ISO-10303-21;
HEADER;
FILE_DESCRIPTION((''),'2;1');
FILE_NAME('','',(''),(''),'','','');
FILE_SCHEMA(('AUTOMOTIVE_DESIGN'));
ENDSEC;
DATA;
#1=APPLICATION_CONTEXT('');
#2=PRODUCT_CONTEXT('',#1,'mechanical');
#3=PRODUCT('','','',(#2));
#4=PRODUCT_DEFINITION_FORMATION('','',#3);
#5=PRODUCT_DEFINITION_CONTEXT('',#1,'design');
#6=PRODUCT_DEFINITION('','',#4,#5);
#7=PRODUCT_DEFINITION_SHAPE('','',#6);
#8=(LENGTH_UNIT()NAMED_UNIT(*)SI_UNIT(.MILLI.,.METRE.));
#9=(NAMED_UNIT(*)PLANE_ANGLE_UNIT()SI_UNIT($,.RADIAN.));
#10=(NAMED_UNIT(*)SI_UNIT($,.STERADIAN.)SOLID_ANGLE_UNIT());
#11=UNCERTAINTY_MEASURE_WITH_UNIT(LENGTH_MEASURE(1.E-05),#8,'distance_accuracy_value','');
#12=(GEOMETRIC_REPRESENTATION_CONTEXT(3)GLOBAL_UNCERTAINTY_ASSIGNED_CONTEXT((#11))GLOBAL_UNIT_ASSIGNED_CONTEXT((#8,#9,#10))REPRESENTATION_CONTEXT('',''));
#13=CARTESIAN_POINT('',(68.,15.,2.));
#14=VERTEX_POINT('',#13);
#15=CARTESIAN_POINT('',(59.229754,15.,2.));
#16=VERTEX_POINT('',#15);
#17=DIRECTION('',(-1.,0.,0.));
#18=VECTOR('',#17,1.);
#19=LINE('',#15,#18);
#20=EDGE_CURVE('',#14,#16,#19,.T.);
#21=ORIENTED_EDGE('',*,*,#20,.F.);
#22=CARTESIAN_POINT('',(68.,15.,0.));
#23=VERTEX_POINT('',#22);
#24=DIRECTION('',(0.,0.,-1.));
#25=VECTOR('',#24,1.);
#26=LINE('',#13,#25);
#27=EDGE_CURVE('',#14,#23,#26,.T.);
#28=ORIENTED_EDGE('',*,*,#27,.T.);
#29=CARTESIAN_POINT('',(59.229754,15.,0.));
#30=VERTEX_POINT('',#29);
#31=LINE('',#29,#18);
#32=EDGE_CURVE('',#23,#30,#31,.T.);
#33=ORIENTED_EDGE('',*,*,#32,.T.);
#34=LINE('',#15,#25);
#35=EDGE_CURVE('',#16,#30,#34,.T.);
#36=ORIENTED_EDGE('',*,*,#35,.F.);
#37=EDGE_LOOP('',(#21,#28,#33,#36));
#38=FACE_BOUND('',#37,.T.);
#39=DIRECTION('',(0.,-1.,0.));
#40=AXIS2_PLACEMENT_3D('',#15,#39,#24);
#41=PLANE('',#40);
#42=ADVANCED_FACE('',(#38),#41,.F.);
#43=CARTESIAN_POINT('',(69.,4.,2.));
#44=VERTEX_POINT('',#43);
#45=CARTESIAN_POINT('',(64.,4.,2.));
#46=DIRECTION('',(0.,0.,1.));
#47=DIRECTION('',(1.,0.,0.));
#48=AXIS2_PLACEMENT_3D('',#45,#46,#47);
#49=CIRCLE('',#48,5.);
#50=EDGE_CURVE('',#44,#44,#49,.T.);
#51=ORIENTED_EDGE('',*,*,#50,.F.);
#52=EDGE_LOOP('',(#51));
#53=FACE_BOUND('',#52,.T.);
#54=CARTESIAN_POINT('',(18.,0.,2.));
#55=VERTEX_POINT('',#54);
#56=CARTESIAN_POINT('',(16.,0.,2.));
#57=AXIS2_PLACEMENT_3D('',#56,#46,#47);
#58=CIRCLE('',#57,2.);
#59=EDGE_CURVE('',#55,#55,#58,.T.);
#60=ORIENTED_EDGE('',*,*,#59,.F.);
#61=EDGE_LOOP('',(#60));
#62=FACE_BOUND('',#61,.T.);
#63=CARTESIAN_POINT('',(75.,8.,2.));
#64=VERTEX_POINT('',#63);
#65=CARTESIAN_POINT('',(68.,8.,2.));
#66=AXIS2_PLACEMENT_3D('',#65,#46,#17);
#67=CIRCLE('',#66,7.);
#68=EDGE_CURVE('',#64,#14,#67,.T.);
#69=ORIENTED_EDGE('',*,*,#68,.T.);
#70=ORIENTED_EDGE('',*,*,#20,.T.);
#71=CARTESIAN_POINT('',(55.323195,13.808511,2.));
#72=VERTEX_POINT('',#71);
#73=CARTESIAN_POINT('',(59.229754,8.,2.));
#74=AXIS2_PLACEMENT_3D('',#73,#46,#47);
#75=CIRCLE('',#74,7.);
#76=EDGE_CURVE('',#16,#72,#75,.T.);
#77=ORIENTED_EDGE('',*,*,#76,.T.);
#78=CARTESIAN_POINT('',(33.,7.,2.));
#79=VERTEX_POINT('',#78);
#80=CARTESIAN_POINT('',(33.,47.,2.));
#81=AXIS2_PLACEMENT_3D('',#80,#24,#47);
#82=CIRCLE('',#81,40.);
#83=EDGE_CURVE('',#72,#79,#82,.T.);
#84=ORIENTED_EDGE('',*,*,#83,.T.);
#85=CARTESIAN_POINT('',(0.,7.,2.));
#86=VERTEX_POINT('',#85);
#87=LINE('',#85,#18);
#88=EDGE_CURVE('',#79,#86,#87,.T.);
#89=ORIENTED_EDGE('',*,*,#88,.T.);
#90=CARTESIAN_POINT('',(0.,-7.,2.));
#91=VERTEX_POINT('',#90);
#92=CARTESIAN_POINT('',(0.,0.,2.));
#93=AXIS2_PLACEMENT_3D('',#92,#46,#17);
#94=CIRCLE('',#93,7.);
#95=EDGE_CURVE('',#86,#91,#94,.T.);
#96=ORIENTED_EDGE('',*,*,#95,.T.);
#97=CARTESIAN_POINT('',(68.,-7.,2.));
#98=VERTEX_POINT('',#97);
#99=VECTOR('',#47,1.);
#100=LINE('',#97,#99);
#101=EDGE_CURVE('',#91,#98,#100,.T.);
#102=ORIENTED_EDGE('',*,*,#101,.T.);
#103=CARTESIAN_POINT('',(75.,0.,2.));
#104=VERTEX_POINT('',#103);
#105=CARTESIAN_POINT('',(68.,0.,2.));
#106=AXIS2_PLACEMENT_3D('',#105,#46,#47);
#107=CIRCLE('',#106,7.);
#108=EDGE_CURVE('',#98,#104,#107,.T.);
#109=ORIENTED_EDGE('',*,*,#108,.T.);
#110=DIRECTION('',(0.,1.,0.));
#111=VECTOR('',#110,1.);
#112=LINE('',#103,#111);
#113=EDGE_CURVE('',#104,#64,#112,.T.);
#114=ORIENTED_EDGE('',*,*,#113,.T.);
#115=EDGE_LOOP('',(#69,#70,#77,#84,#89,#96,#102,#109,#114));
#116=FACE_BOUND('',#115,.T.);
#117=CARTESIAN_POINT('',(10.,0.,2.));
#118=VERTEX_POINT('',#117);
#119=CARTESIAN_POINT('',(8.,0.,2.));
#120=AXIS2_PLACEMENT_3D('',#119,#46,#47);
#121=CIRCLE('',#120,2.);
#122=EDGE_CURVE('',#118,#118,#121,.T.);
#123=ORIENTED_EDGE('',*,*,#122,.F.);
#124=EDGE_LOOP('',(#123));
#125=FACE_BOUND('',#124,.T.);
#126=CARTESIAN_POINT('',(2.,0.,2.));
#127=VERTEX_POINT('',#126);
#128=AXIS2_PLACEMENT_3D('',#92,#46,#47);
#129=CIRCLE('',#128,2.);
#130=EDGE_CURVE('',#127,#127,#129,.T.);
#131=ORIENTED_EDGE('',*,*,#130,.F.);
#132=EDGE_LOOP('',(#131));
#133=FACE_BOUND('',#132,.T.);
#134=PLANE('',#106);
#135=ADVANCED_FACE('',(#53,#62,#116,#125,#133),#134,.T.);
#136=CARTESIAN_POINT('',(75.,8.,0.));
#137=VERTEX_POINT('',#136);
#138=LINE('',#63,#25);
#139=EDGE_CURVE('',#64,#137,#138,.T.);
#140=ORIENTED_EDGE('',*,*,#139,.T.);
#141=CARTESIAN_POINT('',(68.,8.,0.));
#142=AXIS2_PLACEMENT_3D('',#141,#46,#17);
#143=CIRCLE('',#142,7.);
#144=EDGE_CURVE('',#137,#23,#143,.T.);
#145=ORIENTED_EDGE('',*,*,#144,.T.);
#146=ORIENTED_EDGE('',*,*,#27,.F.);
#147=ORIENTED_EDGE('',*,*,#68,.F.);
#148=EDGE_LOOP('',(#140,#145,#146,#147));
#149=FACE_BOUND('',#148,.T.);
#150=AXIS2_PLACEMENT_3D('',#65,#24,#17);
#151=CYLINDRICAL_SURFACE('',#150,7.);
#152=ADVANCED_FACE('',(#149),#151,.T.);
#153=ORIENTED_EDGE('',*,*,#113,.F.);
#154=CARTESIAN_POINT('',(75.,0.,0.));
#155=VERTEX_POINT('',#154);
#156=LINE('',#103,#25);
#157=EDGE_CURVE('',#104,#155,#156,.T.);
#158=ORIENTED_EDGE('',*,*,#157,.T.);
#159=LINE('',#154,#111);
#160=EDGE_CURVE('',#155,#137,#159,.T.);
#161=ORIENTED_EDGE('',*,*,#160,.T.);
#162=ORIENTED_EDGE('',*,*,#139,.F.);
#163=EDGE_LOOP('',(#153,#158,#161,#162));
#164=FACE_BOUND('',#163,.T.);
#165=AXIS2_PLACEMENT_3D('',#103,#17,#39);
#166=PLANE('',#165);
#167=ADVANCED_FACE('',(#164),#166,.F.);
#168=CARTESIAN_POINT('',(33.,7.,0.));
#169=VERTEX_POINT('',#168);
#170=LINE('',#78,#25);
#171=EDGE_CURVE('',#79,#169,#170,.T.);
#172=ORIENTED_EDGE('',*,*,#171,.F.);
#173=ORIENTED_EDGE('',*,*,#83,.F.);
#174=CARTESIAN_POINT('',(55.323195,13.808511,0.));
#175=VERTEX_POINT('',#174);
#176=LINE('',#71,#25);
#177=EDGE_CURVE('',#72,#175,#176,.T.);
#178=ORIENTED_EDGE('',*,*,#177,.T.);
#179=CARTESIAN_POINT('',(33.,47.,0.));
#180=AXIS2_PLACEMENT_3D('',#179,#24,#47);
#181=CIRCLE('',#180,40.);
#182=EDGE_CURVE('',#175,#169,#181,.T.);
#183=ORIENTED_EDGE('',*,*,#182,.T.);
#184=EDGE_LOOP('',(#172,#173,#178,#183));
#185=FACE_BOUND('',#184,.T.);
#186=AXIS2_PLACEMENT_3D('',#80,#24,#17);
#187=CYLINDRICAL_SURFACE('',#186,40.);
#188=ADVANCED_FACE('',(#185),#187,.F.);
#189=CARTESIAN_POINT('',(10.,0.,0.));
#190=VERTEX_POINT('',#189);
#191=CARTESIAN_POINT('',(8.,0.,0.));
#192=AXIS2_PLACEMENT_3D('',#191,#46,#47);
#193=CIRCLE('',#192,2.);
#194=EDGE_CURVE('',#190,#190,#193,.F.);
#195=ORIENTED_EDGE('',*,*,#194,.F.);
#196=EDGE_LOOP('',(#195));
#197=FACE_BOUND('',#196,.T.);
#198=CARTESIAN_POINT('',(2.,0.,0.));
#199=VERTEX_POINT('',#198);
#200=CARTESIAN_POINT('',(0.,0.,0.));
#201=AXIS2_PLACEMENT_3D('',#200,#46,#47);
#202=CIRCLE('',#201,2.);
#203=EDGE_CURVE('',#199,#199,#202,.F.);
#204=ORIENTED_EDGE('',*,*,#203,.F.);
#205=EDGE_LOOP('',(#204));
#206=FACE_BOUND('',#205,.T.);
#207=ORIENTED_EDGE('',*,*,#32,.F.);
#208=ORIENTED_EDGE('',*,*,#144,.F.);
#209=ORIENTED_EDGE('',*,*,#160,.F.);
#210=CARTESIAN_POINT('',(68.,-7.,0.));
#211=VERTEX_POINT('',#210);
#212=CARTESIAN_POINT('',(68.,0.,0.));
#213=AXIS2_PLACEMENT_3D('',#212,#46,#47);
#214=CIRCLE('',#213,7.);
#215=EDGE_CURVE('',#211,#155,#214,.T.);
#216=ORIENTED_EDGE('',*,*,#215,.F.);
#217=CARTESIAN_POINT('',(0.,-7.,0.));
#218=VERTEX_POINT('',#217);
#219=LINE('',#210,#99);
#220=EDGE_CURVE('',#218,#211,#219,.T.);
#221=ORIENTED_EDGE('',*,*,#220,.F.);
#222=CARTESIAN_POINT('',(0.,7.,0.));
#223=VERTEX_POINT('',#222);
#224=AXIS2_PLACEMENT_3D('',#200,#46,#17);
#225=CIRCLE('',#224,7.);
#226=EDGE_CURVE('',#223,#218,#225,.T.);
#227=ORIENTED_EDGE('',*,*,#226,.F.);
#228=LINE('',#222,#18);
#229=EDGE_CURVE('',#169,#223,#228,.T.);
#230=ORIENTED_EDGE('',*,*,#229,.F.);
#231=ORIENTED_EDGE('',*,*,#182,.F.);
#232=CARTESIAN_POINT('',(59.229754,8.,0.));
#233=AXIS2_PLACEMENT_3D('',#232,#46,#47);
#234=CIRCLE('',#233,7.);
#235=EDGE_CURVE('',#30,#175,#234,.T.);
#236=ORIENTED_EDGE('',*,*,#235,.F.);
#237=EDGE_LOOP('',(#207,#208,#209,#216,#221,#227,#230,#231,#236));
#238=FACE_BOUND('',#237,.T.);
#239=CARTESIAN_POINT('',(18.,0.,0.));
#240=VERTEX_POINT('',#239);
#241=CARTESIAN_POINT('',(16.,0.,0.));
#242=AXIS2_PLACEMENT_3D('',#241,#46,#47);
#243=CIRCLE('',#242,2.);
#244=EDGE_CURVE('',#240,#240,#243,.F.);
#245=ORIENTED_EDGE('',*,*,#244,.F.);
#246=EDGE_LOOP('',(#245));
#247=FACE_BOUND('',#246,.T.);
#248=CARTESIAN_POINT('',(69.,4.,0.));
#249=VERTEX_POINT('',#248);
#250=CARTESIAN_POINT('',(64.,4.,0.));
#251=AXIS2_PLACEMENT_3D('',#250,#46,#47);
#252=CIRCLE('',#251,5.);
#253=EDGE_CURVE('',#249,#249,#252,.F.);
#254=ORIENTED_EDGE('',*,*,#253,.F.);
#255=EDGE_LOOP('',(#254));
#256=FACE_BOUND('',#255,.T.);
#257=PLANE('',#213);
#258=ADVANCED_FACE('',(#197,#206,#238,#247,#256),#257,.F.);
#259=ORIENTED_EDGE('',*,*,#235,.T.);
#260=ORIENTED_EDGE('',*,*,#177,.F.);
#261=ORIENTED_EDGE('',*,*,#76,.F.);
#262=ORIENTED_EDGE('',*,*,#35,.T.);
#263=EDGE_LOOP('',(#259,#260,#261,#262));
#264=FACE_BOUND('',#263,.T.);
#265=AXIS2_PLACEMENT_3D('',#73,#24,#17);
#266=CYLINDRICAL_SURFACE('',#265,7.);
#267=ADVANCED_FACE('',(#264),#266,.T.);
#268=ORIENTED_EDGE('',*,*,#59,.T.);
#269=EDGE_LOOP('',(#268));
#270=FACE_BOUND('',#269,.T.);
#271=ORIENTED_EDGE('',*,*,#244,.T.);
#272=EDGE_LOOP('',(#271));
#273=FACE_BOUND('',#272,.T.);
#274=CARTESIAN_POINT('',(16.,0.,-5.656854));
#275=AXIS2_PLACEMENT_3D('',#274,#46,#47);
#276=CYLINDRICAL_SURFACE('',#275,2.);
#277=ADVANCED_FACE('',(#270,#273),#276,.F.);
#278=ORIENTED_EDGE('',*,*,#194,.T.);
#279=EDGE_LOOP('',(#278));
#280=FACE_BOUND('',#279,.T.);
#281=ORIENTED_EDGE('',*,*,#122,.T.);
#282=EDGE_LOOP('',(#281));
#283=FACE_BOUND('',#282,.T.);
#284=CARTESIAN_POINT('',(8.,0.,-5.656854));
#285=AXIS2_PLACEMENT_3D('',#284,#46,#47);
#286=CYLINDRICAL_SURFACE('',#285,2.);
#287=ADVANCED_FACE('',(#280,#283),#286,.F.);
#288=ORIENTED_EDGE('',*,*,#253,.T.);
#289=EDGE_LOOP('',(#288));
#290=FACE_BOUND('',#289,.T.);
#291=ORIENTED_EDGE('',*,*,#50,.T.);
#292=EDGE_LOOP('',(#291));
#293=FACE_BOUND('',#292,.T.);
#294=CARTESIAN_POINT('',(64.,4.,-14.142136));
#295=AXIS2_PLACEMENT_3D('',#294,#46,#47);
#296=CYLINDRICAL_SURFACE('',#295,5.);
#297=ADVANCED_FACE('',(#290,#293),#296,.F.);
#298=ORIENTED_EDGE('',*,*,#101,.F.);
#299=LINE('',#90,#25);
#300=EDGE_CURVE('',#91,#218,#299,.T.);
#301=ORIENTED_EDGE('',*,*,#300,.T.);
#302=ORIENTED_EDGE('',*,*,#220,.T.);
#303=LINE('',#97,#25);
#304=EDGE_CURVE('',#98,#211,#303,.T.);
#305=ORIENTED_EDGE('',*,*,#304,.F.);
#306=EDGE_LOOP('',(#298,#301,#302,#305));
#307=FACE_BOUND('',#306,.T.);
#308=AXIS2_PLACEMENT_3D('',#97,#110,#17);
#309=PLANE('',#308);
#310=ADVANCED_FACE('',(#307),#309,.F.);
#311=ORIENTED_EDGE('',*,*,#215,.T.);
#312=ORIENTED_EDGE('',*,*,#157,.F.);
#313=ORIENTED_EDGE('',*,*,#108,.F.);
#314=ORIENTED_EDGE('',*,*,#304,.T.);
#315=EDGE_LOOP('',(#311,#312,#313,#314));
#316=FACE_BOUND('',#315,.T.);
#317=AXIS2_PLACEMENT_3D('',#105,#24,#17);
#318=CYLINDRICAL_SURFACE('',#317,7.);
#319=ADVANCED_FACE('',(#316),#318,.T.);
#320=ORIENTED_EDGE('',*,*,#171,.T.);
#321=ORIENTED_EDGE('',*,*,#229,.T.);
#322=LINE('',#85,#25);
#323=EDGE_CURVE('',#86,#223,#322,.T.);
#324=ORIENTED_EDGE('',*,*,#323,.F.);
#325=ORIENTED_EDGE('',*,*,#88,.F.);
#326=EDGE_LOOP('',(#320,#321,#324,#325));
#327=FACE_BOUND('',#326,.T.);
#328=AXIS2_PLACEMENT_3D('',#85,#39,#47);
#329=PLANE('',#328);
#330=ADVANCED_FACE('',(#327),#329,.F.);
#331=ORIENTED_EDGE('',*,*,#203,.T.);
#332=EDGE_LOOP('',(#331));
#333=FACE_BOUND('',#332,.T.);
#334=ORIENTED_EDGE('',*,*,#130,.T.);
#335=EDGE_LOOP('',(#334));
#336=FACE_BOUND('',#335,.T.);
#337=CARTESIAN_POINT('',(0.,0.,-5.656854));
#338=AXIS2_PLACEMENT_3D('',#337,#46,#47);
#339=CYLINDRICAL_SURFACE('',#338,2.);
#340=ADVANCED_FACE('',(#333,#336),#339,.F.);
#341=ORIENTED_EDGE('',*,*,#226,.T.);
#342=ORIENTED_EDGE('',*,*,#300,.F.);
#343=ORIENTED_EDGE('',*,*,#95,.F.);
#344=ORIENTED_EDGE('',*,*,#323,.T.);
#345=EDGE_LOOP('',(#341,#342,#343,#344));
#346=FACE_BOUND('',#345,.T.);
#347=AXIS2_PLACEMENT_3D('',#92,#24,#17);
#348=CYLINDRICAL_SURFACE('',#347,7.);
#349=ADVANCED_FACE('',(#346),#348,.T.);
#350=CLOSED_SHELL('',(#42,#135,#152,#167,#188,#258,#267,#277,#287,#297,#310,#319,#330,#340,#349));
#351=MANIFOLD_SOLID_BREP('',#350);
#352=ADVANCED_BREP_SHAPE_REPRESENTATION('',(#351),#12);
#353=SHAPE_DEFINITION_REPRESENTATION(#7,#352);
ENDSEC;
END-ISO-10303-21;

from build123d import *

# Parameters (mm, degrees)
BOSS_EXTRUDE1_DEPTH = 2
SKETCH2_R           = 2
CUT_EXTRUDE1_DEPTH  = 2
SKETCH3_R           = 5
CUT_EXTRUDE2_DEPTH  = 2


with BuildPart() as part:
    # Sketch1 → Boss-Extrude1 (new body)
    with BuildSketch(Plane.XY):
        with BuildLine():
            Line((0, 7), (33, 7))
            ThreePointArc((33, 7), (44.66919932, 8.739971416), (55.323194976, 13.808510638))
            ThreePointArc((55.323194976, 13.808510638), (57.187644216, 14.695505002), (59.229754097, 15))
            Line((59.229754097, 15), (68, 15))
            ThreePointArc((68, 15), (72.949747468, 12.949747468), (75, 8))
            Line((75, 8), (75, 0))
            ThreePointArc((75, 0), (72.949747468, -4.949747468), (68, -7))
            Line((68, -7), (0, -7))
            ThreePointArc((0, -7), (-7, 0), (0, 7))
        make_face()
    extrude(amount=BOSS_EXTRUDE1_DEPTH)

    # Sketch2 → Cut-Extrude1 (cut)
    with BuildSketch(Plane.XY.offset(2)):
        Circle(SKETCH2_R)
        with Locations((8, 0)):
            Circle(SKETCH2_R)
        with Locations((16, 0)):
            Circle(SKETCH2_R)
    extrude(amount=-CUT_EXTRUDE1_DEPTH, mode=Mode.SUBTRACT)

    # Sketch3 → Cut-Extrude2 (cut)
    with BuildSketch(Plane.XY.offset(2)):
        with Locations((64, 4)):
            Circle(SKETCH3_R)
    extrude(amount=-CUT_EXTRUDE2_DEPTH, mode=Mode.SUBTRACT)


solid = part.part
